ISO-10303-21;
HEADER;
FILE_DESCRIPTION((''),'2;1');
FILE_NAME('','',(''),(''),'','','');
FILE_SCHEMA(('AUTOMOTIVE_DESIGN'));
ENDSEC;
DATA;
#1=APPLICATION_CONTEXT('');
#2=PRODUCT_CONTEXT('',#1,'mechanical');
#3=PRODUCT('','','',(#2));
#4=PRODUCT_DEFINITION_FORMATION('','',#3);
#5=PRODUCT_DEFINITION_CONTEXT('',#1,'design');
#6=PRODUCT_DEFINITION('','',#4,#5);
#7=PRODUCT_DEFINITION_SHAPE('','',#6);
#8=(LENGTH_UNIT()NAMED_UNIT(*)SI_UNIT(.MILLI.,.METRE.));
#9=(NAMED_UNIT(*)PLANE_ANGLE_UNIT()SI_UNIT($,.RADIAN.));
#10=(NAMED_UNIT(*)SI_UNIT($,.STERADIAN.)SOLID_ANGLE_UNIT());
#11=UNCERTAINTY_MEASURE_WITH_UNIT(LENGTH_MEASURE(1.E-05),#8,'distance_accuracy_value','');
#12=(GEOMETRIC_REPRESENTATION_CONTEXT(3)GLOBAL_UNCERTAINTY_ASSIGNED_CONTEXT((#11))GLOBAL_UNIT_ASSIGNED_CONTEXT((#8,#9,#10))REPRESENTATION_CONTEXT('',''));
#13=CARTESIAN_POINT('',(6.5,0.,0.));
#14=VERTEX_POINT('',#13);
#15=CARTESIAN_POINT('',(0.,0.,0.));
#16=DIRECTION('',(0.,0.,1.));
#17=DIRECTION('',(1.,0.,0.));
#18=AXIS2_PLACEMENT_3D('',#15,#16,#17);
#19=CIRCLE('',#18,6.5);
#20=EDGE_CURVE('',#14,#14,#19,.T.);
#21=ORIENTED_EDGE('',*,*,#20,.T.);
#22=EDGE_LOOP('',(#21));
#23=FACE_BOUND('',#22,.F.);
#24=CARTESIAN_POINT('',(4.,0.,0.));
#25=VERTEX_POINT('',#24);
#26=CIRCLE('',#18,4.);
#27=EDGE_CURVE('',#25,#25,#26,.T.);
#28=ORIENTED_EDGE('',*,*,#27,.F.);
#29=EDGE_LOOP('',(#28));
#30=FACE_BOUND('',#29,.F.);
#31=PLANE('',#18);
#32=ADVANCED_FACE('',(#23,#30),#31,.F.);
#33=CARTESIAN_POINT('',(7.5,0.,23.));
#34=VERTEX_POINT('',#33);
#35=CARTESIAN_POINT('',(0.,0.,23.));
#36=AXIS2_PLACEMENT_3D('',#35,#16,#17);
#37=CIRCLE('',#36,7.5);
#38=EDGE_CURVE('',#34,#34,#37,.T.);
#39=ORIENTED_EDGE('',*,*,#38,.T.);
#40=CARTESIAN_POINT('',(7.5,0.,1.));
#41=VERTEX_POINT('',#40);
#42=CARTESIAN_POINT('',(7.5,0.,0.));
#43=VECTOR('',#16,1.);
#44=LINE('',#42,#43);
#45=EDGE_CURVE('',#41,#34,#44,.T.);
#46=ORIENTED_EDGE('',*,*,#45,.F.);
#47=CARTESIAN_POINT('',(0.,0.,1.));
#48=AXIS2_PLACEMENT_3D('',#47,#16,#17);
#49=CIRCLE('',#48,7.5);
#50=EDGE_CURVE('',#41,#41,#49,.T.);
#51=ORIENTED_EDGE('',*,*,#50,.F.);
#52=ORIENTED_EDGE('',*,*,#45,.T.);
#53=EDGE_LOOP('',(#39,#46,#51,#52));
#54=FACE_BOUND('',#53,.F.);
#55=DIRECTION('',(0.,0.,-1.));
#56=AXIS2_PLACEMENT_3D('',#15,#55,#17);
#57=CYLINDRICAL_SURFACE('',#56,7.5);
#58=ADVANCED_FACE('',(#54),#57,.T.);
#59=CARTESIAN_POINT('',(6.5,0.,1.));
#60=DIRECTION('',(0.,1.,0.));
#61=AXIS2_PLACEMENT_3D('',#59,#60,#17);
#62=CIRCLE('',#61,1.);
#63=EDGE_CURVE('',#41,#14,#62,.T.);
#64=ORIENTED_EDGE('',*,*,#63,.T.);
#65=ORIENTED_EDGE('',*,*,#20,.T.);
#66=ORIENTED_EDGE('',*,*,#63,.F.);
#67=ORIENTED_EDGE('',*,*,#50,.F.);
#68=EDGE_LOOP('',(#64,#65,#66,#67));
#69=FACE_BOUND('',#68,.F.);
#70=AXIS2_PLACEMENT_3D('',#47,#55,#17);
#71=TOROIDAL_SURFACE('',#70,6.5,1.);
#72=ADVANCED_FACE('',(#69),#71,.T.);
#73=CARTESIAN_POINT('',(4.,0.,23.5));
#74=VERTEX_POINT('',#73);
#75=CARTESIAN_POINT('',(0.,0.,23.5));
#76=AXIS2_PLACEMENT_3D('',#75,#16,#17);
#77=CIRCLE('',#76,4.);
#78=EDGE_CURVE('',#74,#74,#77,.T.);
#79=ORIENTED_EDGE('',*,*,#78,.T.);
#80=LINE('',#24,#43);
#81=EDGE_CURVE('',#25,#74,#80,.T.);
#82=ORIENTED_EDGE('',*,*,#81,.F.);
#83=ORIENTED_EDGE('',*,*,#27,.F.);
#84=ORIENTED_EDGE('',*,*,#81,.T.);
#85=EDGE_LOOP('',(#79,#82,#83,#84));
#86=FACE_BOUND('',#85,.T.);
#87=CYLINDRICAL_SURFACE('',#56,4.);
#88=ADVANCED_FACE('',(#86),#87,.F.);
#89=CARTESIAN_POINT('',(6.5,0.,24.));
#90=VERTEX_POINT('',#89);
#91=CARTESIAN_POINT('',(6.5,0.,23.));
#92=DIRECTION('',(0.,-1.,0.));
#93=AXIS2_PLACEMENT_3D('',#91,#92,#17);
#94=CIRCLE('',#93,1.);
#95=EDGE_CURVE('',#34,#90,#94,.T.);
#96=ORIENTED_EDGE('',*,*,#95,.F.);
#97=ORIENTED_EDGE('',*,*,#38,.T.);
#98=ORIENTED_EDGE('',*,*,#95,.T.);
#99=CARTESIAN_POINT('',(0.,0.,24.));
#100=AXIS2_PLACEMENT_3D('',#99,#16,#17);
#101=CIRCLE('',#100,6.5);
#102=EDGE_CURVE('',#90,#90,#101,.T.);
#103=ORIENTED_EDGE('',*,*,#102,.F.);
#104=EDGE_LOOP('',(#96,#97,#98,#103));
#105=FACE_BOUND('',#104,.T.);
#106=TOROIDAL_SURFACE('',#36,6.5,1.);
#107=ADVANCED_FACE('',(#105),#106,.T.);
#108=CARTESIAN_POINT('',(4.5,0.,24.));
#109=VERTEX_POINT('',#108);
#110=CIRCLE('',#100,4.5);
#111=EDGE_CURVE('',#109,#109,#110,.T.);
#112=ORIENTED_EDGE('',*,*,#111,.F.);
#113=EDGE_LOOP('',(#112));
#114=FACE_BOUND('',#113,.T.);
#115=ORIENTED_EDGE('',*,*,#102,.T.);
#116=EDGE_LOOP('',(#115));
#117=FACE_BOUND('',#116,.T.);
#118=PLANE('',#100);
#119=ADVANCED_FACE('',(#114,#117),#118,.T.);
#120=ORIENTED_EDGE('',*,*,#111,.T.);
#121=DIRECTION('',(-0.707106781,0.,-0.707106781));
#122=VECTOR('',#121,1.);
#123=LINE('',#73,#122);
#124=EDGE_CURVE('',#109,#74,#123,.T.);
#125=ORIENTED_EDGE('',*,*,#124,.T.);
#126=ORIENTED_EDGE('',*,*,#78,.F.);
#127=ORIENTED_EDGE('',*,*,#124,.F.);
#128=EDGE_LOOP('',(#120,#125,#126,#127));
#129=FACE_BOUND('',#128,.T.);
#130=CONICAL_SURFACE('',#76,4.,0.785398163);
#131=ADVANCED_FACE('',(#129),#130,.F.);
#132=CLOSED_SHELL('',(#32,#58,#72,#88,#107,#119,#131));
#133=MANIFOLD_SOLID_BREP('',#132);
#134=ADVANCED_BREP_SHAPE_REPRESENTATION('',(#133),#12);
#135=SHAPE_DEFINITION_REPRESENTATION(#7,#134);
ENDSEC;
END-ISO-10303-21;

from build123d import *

# Parameters (mm, degrees)
SKETCH_R     = 7.5
SKETCH_R_2   = 4
PAD_DEPTH    = 24
FILLET_R     = 1
CHAMFER_SIZE = 0.5


with BuildPart() as part:
    # Sketch → Pad (new body)
    with BuildSketch(Plane.XY):
        Circle(SKETCH_R)
        Circle(SKETCH_R_2, mode=Mode.SUBTRACT)
    extrude(amount=PAD_DEPTH)

    # Fillet
    fillet_edges = [part.edges().sort_by_distance(p)[0] for p in [
        (-7.5, 0, 24),
        (-7.5, 0, 0),
    ]]
    fillet(fillet_edges, radius=FILLET_R)

    # Chamfer
    chamfer_edges = [part.edges().sort_by_distance(p)[0] for p in [
        (-4, 0, 24),
    ]]
    chamfer(chamfer_edges, length=CHAMFER_SIZE)


solid = part.part
